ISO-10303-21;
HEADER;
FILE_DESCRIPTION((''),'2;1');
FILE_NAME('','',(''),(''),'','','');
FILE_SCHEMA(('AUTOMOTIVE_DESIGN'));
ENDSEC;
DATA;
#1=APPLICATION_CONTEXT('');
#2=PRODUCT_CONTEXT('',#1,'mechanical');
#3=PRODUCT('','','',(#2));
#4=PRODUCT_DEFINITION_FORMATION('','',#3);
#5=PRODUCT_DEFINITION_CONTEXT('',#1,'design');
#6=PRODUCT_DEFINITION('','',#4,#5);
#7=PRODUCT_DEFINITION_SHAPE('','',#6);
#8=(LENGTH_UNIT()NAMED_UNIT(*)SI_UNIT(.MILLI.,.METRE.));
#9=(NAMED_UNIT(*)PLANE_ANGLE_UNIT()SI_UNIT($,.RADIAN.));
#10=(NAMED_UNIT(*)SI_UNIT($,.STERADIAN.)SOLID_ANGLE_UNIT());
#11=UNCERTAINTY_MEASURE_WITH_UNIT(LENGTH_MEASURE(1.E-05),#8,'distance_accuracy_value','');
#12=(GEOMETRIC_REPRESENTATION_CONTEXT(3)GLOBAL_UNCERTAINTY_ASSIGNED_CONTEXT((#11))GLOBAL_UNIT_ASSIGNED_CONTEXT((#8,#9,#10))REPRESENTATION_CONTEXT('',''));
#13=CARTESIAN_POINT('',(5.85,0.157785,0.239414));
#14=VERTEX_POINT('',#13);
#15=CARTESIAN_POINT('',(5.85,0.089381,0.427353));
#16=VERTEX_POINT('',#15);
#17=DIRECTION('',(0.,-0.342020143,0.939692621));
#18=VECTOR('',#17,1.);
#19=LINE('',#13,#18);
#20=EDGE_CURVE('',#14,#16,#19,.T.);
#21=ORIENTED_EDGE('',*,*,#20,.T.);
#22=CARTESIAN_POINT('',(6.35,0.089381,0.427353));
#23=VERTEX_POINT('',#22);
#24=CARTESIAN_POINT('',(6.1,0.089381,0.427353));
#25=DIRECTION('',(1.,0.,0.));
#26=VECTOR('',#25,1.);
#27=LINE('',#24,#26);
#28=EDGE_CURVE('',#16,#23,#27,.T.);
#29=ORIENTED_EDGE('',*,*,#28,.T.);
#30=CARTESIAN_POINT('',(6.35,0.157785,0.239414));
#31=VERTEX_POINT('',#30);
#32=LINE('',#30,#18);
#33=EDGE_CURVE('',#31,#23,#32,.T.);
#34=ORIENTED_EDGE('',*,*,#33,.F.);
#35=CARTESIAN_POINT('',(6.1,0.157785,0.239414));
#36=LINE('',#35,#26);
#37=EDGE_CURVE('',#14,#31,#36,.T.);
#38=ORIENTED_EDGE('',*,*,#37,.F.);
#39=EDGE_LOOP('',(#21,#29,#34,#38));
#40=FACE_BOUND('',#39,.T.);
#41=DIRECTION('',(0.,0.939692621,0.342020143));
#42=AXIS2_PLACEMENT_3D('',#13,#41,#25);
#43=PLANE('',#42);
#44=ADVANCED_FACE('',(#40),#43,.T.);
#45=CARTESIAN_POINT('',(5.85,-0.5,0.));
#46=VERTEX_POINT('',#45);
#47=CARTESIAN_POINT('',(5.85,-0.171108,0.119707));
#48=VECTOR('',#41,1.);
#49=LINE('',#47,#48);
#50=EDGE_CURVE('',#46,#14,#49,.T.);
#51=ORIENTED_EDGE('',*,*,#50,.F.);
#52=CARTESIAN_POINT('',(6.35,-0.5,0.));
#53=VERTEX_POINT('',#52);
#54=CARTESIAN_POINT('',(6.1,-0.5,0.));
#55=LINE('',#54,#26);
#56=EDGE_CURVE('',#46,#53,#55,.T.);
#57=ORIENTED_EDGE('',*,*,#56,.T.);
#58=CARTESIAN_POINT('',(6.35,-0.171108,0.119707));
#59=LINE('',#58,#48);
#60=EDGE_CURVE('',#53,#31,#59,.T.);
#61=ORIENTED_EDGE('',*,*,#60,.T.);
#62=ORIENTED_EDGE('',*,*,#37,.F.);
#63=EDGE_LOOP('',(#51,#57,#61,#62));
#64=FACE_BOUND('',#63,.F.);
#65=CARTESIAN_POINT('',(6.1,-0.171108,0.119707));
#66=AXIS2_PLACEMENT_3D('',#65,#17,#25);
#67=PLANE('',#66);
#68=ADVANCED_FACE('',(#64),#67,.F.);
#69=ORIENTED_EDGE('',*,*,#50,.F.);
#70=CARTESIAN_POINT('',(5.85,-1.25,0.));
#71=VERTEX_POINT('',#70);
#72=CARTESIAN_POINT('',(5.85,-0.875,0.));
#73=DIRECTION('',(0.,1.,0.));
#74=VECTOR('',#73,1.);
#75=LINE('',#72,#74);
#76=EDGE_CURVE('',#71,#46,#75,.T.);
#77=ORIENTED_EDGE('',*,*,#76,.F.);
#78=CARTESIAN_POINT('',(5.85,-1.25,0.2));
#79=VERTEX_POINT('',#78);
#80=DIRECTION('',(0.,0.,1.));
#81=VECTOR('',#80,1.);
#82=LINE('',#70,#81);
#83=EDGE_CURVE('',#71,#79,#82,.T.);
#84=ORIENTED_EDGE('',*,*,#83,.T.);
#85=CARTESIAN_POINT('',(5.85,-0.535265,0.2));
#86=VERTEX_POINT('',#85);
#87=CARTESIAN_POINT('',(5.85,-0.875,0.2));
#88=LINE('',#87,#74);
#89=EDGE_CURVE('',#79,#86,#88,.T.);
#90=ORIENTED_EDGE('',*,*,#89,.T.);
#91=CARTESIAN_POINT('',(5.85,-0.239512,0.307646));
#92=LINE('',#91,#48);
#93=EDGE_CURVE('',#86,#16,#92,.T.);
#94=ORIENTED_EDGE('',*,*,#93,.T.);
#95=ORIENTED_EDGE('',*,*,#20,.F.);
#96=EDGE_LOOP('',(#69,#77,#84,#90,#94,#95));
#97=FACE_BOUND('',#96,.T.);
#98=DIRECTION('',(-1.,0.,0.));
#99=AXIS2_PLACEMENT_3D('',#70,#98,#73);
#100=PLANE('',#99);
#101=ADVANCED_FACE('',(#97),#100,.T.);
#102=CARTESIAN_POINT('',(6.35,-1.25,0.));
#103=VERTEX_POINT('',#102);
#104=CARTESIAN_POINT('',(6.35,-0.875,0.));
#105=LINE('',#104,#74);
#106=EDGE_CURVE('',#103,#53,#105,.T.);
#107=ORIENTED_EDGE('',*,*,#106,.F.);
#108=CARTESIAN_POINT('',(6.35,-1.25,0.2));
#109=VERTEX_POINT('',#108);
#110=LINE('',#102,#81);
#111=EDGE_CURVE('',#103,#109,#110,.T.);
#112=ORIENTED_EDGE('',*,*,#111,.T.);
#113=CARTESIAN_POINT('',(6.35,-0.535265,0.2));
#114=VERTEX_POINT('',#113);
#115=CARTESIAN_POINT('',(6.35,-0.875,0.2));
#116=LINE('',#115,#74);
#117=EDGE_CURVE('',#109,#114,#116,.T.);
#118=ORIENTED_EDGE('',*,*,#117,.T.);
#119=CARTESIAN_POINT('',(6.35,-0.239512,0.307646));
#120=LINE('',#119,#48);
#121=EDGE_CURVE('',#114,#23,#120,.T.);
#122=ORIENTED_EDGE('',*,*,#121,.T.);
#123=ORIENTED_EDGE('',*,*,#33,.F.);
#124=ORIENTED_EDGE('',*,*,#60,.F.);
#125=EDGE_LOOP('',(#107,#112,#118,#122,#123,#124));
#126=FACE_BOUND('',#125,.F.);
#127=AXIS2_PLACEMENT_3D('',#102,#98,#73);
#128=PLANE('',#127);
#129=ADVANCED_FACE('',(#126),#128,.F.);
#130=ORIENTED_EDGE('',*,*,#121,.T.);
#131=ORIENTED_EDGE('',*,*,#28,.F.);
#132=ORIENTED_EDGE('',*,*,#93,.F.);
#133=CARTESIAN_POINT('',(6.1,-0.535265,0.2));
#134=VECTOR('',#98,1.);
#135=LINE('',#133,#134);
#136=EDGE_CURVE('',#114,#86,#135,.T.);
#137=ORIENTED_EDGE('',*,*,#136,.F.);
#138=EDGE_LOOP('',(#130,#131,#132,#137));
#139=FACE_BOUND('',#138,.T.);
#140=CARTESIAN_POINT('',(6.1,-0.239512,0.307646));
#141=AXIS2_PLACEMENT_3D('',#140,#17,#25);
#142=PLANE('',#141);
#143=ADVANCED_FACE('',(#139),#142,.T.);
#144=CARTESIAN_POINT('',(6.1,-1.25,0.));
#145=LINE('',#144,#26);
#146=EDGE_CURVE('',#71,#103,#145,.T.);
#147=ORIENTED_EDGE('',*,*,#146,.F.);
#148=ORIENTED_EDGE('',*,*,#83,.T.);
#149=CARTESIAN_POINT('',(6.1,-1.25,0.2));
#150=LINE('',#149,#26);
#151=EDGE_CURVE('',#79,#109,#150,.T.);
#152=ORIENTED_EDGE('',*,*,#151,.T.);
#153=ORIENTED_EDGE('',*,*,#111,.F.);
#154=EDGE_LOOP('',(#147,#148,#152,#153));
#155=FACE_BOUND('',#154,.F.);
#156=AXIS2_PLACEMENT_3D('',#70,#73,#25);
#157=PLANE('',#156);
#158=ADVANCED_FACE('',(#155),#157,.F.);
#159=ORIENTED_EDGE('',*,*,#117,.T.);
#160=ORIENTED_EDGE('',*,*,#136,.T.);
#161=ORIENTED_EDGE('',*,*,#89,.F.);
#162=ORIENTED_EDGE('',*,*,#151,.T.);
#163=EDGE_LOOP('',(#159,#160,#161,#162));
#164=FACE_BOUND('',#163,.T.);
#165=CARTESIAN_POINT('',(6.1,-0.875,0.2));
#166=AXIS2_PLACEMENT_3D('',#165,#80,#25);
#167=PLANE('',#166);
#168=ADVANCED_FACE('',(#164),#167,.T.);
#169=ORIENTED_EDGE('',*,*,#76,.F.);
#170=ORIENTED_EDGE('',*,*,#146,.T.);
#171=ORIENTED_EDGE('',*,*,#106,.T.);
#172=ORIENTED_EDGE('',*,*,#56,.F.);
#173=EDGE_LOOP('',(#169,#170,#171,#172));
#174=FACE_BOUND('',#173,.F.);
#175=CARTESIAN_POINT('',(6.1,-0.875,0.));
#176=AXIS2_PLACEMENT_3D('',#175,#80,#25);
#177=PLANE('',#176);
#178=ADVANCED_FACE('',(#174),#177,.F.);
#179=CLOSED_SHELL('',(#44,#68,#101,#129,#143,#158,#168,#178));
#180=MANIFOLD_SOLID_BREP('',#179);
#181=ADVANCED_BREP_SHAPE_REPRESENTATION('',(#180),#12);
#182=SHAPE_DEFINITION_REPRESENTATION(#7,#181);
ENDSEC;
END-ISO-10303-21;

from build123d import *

# Parameters (mm, degrees)
BOX005_W               = 0.5
BOX005_H               = 0.75
BOX005_DEPTH           = 0.2
BOX006_W               = 0.5
BOX006_H               = 0.7
BOX006_DEPTH           = 0.2
BOX006_PLACEMENT_ANGLE = 20


with BuildPart() as cube005:
    # Box005 → Box005 (new body)
    with BuildSketch(Plane(origin=(0, -1.25, 0), x_dir=(1, 0, 0), z_dir=(0, 0, 1))):
        with Locations((0.25, 0.375)):
            Rectangle(BOX005_W, BOX005_H)
    extrude(amount=BOX005_DEPTH)


with BuildPart() as fusion002:
    # Box006 → Box006 (new body)
    with BuildSketch(Plane.XY):
        with Locations((0.25, 0.35)):
            Rectangle(BOX006_W, BOX006_H)
    extrude(amount=BOX006_DEPTH)


with BuildPart() as fusion002_1:
    # Box006 placement: moved
    add(fusion002.part.moved(Location((0, -0.5, 0))).rotate(Axis((0, -0.5, 0), (1, 0, 0)), BOX006_PLACEMENT_ANGLE))

    # Fusion002: union Cube005
    add(cube005.part)


with BuildPart() as fusion002_2:
    # Fusion002 placement: moved
    add(fusion002_1.part.moved(Location((5.85, 0, 0))))


solid = fusion002_2.part
